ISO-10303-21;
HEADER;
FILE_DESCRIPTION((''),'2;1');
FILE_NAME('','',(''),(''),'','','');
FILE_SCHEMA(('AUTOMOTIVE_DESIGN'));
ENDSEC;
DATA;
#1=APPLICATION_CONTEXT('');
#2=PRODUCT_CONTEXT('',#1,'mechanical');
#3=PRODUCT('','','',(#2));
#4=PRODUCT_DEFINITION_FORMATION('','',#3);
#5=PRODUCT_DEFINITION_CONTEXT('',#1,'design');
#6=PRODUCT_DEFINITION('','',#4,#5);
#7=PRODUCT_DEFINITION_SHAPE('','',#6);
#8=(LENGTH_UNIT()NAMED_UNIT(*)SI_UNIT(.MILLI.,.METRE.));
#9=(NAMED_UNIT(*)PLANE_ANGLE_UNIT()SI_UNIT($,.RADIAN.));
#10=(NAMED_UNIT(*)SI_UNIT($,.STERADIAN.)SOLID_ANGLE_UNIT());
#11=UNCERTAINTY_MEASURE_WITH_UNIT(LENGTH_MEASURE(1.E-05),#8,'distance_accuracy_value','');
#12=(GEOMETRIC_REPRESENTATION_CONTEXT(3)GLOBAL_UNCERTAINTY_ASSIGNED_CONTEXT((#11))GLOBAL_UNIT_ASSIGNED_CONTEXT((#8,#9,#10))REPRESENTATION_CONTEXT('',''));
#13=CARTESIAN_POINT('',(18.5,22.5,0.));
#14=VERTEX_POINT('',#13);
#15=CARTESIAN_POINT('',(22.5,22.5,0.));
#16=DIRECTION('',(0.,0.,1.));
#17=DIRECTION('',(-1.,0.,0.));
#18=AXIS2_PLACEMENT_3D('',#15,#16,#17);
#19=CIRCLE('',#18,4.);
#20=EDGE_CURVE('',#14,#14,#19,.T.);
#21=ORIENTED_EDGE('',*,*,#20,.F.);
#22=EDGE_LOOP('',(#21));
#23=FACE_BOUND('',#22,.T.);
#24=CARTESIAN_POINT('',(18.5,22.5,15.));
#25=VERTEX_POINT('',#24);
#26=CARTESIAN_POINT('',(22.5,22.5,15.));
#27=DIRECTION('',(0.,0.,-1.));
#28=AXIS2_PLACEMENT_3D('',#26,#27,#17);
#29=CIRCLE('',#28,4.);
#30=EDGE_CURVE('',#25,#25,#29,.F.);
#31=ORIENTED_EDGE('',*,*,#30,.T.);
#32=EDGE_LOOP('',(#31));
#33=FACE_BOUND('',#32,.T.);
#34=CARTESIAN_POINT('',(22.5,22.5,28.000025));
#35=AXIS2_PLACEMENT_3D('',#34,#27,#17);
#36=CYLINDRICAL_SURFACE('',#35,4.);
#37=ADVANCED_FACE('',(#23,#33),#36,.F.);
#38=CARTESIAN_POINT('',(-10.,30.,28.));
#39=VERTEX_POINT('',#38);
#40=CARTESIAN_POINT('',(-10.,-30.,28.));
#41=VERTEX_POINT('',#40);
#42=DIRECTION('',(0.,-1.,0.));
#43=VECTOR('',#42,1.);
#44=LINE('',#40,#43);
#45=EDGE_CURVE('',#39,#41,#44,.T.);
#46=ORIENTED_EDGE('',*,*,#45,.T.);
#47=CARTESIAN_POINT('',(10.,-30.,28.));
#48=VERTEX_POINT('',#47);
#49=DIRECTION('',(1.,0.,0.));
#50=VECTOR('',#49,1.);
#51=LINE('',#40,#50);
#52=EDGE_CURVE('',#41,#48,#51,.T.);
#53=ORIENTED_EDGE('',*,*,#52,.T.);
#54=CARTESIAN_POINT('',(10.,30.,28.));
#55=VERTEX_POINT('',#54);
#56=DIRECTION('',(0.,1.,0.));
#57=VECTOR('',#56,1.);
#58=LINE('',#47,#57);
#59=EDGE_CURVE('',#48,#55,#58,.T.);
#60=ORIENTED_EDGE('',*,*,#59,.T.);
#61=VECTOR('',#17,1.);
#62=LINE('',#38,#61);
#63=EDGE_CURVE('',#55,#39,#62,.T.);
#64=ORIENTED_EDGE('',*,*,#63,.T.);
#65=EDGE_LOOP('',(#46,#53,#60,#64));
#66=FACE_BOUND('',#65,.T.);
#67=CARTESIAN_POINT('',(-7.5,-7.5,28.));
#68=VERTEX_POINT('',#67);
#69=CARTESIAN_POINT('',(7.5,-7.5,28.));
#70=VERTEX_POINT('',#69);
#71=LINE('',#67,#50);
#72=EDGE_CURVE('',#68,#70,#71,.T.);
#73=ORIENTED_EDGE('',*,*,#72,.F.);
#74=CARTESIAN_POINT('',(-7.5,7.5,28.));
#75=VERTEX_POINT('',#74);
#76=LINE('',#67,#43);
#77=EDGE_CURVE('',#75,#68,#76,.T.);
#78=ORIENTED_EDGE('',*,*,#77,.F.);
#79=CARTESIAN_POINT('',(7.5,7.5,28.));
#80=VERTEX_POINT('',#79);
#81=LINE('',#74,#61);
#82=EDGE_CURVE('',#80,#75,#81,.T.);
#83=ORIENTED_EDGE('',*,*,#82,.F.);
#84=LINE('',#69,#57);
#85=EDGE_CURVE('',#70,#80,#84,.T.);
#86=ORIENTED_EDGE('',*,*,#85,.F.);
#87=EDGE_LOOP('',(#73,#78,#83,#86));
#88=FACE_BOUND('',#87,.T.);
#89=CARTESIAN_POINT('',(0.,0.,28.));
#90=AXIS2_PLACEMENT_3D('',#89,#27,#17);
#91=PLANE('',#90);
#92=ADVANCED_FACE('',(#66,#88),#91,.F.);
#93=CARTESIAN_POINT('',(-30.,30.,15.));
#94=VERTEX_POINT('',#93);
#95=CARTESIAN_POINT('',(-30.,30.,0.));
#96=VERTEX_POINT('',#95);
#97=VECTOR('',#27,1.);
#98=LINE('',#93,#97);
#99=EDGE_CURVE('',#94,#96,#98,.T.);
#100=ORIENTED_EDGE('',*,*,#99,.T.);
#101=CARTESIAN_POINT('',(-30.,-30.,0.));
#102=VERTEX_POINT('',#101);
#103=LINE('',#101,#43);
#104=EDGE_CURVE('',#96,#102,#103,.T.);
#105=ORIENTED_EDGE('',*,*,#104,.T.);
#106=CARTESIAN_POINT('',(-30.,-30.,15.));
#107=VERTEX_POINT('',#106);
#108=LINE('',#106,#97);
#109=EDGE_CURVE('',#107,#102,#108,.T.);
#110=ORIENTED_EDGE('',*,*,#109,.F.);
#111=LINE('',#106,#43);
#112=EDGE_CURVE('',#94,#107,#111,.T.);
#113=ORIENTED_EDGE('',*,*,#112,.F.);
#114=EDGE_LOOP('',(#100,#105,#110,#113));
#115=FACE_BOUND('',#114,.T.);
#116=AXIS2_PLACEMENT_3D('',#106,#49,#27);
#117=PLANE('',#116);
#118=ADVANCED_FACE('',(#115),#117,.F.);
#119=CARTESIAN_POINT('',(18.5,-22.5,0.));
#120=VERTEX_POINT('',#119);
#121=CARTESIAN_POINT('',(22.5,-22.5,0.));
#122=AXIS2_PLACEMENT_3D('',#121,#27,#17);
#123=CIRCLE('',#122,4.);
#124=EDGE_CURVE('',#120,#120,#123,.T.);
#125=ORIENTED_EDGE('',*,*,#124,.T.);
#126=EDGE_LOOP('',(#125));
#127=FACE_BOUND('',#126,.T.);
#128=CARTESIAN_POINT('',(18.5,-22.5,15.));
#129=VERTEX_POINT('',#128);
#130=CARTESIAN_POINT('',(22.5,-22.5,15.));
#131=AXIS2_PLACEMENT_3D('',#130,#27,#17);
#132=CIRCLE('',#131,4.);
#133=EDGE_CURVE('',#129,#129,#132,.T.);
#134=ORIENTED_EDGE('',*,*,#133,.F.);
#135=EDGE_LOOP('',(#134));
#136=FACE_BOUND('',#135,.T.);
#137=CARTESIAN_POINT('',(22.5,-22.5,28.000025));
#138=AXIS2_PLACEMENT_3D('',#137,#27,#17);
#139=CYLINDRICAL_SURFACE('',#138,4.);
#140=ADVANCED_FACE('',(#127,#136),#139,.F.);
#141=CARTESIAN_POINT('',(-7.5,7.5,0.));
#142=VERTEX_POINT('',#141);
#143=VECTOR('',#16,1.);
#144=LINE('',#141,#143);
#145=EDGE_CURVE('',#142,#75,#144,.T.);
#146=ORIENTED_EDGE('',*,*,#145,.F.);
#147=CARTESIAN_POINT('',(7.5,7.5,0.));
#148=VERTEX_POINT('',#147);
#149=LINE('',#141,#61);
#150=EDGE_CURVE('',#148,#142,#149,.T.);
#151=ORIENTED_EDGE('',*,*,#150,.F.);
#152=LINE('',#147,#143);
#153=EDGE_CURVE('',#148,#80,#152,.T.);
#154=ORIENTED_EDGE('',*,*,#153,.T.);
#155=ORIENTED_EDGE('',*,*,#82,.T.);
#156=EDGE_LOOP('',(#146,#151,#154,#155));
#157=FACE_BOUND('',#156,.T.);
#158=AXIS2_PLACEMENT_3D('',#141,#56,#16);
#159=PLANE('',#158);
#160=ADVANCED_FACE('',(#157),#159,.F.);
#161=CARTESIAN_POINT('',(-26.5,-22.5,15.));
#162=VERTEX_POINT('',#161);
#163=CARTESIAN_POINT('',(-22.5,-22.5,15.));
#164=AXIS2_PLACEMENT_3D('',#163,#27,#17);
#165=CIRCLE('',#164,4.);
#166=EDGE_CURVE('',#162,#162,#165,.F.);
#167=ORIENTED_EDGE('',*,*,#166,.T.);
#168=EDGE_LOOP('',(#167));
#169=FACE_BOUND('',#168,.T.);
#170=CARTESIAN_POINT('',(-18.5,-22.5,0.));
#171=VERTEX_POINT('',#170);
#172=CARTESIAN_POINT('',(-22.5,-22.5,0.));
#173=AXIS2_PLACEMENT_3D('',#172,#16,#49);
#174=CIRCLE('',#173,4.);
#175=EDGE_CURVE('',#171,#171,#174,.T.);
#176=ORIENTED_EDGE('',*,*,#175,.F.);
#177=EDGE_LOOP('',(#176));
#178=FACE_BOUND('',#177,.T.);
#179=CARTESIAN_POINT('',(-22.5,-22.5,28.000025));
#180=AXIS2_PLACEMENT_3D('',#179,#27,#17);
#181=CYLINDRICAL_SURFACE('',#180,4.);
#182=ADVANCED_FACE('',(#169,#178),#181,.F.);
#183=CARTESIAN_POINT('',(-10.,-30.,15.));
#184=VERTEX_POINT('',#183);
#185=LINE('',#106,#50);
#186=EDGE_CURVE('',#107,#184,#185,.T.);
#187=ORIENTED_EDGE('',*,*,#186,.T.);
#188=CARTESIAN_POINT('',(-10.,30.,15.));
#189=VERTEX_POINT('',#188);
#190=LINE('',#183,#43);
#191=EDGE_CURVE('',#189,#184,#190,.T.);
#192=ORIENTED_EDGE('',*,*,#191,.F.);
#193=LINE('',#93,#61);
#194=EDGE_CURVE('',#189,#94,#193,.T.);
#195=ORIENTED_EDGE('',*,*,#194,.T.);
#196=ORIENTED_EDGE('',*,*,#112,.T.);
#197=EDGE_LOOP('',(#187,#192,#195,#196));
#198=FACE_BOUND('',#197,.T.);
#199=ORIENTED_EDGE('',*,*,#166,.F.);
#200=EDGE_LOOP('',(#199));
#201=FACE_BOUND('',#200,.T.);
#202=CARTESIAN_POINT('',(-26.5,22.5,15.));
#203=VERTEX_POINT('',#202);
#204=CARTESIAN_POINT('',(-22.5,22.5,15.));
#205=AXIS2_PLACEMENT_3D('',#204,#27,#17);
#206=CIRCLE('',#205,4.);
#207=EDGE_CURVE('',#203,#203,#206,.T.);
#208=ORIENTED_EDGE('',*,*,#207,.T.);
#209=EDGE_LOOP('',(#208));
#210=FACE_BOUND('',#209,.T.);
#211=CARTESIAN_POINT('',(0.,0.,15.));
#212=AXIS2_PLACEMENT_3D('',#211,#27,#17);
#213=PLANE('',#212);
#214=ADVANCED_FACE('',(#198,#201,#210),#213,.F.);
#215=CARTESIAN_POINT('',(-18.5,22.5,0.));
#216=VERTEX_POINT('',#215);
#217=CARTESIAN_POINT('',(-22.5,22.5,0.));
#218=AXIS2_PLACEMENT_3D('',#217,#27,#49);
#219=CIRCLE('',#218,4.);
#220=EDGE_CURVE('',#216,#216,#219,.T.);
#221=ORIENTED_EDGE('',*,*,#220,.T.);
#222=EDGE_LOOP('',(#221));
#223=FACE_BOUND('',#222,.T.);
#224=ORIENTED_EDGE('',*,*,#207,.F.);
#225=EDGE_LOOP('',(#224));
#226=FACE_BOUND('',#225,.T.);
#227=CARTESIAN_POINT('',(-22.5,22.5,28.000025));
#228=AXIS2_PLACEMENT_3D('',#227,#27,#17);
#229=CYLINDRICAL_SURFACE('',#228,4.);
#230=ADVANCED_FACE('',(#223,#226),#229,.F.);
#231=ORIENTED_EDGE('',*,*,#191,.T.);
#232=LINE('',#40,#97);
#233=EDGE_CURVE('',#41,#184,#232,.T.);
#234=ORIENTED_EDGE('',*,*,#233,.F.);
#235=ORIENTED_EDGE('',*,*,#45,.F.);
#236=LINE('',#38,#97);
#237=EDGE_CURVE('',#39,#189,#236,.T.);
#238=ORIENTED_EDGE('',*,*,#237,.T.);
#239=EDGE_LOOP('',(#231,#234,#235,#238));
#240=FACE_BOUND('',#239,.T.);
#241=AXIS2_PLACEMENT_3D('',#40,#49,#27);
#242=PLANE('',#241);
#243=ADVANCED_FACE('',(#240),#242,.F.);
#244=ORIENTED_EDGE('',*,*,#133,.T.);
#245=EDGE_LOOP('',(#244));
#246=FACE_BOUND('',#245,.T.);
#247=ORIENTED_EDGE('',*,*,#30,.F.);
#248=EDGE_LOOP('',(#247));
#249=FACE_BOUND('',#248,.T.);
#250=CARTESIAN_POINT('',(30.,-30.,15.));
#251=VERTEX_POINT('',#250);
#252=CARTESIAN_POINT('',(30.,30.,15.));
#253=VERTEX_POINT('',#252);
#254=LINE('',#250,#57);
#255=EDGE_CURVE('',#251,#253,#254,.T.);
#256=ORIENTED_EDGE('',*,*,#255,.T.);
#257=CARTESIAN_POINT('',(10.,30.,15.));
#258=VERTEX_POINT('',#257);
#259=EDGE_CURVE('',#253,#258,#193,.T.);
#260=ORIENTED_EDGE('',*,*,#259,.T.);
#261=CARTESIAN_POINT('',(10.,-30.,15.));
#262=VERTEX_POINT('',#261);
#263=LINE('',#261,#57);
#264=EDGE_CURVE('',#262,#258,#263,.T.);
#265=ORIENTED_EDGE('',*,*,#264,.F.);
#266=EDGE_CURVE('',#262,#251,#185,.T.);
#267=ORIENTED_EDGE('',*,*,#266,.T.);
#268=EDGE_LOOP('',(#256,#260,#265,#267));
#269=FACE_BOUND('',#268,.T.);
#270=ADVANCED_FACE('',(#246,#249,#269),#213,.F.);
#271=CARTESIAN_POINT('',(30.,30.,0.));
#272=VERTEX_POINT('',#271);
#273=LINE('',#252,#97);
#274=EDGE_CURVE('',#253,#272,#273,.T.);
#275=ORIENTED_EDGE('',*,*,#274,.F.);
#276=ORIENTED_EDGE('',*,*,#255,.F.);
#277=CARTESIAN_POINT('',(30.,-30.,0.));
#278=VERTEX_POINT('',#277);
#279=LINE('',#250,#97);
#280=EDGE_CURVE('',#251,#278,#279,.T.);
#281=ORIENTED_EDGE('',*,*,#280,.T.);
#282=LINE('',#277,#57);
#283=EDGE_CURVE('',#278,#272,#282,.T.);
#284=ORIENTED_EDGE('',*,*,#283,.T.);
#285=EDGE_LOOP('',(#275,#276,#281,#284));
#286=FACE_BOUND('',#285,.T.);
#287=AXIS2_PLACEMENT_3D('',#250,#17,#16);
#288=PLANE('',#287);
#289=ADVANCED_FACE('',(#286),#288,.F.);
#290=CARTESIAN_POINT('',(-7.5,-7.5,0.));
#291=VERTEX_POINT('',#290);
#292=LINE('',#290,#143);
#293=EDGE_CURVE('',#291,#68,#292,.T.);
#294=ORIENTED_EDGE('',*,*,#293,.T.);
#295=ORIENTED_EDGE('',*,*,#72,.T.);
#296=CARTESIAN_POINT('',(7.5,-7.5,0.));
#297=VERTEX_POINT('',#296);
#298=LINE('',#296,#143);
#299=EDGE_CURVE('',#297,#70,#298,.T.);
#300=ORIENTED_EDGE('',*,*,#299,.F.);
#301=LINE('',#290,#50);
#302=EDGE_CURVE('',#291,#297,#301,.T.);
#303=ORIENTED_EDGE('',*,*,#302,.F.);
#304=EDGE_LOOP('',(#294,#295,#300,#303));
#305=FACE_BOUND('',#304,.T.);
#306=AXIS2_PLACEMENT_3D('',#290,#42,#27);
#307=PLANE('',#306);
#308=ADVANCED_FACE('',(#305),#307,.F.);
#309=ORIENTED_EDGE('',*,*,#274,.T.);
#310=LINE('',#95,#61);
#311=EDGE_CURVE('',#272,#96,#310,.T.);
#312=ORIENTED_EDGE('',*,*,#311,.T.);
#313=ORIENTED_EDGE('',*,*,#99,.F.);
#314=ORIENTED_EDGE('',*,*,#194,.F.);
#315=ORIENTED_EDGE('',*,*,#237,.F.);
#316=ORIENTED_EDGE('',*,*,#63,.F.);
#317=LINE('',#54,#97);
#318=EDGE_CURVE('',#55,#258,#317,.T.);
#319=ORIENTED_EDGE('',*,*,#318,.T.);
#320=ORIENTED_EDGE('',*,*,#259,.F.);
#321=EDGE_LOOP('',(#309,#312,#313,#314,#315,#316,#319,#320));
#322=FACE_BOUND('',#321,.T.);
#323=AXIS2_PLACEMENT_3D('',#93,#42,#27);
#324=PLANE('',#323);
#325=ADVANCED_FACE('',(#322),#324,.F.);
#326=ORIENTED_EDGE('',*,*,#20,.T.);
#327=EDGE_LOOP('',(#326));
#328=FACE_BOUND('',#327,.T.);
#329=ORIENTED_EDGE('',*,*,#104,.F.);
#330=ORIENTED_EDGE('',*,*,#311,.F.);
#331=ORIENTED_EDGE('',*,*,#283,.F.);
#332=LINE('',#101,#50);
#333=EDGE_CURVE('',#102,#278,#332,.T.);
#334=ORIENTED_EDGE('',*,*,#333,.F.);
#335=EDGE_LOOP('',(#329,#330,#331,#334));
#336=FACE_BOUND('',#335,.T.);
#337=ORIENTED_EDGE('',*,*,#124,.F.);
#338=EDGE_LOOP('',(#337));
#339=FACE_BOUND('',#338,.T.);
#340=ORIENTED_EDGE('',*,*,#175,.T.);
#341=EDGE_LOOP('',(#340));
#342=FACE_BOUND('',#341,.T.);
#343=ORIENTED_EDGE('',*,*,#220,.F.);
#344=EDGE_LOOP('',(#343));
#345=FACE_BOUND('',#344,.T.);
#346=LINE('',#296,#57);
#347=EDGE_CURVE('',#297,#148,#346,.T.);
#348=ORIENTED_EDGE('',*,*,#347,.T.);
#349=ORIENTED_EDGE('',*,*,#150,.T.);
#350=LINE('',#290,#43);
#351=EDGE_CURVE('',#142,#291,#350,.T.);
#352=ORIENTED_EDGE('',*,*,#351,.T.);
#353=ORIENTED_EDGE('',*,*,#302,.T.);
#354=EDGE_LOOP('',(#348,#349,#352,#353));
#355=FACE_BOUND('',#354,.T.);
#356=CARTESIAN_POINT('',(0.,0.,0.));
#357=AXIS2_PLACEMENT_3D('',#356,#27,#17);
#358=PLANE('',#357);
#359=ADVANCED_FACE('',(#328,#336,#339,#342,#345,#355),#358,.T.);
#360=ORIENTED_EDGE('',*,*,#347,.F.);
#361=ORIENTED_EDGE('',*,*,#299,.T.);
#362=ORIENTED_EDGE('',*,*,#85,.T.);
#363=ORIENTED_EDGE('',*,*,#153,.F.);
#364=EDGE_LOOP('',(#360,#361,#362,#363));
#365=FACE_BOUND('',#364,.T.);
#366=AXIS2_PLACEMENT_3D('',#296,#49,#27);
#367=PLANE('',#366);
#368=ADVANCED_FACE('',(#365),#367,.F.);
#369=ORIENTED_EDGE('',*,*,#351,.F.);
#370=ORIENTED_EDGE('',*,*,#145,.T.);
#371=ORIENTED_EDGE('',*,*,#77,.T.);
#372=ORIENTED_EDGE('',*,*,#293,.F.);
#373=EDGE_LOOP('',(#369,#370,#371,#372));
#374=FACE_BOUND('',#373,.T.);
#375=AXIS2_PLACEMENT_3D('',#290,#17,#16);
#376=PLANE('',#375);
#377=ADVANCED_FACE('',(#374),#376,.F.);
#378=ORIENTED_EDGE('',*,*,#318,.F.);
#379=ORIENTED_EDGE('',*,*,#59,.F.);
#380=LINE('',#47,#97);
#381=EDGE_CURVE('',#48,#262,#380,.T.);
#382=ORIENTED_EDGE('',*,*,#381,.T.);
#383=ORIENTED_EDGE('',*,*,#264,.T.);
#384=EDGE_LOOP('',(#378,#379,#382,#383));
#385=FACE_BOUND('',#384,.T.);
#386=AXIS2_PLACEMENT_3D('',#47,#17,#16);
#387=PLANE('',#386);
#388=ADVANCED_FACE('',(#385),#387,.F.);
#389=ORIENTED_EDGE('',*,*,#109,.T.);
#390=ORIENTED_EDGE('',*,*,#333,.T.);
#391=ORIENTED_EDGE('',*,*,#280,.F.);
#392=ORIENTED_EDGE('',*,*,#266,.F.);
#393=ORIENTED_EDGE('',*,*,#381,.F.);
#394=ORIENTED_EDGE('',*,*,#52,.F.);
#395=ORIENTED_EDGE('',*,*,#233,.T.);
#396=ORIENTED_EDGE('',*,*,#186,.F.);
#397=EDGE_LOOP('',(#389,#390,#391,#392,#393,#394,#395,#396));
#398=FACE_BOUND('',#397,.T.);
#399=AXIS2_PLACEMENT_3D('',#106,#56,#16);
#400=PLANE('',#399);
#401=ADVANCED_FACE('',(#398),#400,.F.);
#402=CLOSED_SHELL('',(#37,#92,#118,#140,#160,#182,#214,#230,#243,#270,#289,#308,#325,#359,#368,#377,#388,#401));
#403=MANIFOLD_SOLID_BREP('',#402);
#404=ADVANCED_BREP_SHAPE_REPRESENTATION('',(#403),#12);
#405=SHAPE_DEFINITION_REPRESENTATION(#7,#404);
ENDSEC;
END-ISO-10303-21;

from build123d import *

# Parameters (mm, degrees)
SKETCH_1_W               = 60
SKETCH_1_H               = 60
EXTRUDE_1_DEPTH          = 15
SKETCH_2_W               = 20
SKETCH_2_H               = 60
EXTRUDE_2_DEPTH          = 13
SKETCH_3_W               = 15
SKETCH_3_H               = 15
CUT_EXTRUDE_1_DEPTH      = 51.833060109
SKETCH_5_R               = 4
CUT_EXTRUDE_3_DEPTH      = 51.833060109
MIRROR_2_COPY_1_SKETCH_R = 4
MIRROR_2_COPY_1_DEPTH    = 51.833060109


with BuildPart() as part:
    # Эскиз1 → Бобышка-Вытянуть1 (new body)
    with BuildSketch(Plane.XY):
        Rectangle(SKETCH_1_W, SKETCH_1_H)
    extrude(amount=EXTRUDE_1_DEPTH)

    # Эскиз2 → Бобышка-Вытянуть2 (add)
    with BuildSketch(Plane.XY.offset(15)):
        Rectangle(SKETCH_2_W, SKETCH_2_H)
    extrude(amount=EXTRUDE_2_DEPTH)

    # Эскиз3 → Вырез-Вытянуть1 (cut, through all)
    with BuildSketch(Plane.XY.offset(28)):
        Rectangle(SKETCH_3_W, SKETCH_3_H)
    extrude(amount=-CUT_EXTRUDE_1_DEPTH, mode=Mode.SUBTRACT)

    # Эскиз5 → Вырез-Вытянуть3 (cut, through all)
    with BuildSketch(Plane(origin=(0, 0, 0), x_dir=(-1, 0, 0), z_dir=(0, 0, -1))):
        with Locations((-22.5, -22.5)):
            Circle(SKETCH_5_R)
    cut_extrude_3 = extrude(amount=-CUT_EXTRUDE_3_DEPTH, mode=Mode.SUBTRACT)

    # Зеркальное отражение1: Вырез-Вытянуть3 across plane
    add(cut_extrude_3.mirror(Plane.ZX), mode=Mode.SUBTRACT)

    # Зеркальное отражение2: Вырез-Вытянуть3 across plane
    add(cut_extrude_3.mirror(Plane(origin=(0, 0, 0), x_dir=(0, 0, 1), z_dir=(1, 0, 0))), mode=Mode.SUBTRACT)

    # Зеркальное отражение2 copy 1 sketch → Зеркальное отражение2 copy 1 (cut, through all)
    with BuildSketch(Plane(origin=(0, 0, 0), x_dir=(1, 0, 0), z_dir=(0, 0, -1))):
        with Locations((-22.5, -22.5)):
            Circle(MIRROR_2_COPY_1_SKETCH_R)
    extrude(amount=-MIRROR_2_COPY_1_DEPTH, mode=Mode.SUBTRACT)


solid = part.part
